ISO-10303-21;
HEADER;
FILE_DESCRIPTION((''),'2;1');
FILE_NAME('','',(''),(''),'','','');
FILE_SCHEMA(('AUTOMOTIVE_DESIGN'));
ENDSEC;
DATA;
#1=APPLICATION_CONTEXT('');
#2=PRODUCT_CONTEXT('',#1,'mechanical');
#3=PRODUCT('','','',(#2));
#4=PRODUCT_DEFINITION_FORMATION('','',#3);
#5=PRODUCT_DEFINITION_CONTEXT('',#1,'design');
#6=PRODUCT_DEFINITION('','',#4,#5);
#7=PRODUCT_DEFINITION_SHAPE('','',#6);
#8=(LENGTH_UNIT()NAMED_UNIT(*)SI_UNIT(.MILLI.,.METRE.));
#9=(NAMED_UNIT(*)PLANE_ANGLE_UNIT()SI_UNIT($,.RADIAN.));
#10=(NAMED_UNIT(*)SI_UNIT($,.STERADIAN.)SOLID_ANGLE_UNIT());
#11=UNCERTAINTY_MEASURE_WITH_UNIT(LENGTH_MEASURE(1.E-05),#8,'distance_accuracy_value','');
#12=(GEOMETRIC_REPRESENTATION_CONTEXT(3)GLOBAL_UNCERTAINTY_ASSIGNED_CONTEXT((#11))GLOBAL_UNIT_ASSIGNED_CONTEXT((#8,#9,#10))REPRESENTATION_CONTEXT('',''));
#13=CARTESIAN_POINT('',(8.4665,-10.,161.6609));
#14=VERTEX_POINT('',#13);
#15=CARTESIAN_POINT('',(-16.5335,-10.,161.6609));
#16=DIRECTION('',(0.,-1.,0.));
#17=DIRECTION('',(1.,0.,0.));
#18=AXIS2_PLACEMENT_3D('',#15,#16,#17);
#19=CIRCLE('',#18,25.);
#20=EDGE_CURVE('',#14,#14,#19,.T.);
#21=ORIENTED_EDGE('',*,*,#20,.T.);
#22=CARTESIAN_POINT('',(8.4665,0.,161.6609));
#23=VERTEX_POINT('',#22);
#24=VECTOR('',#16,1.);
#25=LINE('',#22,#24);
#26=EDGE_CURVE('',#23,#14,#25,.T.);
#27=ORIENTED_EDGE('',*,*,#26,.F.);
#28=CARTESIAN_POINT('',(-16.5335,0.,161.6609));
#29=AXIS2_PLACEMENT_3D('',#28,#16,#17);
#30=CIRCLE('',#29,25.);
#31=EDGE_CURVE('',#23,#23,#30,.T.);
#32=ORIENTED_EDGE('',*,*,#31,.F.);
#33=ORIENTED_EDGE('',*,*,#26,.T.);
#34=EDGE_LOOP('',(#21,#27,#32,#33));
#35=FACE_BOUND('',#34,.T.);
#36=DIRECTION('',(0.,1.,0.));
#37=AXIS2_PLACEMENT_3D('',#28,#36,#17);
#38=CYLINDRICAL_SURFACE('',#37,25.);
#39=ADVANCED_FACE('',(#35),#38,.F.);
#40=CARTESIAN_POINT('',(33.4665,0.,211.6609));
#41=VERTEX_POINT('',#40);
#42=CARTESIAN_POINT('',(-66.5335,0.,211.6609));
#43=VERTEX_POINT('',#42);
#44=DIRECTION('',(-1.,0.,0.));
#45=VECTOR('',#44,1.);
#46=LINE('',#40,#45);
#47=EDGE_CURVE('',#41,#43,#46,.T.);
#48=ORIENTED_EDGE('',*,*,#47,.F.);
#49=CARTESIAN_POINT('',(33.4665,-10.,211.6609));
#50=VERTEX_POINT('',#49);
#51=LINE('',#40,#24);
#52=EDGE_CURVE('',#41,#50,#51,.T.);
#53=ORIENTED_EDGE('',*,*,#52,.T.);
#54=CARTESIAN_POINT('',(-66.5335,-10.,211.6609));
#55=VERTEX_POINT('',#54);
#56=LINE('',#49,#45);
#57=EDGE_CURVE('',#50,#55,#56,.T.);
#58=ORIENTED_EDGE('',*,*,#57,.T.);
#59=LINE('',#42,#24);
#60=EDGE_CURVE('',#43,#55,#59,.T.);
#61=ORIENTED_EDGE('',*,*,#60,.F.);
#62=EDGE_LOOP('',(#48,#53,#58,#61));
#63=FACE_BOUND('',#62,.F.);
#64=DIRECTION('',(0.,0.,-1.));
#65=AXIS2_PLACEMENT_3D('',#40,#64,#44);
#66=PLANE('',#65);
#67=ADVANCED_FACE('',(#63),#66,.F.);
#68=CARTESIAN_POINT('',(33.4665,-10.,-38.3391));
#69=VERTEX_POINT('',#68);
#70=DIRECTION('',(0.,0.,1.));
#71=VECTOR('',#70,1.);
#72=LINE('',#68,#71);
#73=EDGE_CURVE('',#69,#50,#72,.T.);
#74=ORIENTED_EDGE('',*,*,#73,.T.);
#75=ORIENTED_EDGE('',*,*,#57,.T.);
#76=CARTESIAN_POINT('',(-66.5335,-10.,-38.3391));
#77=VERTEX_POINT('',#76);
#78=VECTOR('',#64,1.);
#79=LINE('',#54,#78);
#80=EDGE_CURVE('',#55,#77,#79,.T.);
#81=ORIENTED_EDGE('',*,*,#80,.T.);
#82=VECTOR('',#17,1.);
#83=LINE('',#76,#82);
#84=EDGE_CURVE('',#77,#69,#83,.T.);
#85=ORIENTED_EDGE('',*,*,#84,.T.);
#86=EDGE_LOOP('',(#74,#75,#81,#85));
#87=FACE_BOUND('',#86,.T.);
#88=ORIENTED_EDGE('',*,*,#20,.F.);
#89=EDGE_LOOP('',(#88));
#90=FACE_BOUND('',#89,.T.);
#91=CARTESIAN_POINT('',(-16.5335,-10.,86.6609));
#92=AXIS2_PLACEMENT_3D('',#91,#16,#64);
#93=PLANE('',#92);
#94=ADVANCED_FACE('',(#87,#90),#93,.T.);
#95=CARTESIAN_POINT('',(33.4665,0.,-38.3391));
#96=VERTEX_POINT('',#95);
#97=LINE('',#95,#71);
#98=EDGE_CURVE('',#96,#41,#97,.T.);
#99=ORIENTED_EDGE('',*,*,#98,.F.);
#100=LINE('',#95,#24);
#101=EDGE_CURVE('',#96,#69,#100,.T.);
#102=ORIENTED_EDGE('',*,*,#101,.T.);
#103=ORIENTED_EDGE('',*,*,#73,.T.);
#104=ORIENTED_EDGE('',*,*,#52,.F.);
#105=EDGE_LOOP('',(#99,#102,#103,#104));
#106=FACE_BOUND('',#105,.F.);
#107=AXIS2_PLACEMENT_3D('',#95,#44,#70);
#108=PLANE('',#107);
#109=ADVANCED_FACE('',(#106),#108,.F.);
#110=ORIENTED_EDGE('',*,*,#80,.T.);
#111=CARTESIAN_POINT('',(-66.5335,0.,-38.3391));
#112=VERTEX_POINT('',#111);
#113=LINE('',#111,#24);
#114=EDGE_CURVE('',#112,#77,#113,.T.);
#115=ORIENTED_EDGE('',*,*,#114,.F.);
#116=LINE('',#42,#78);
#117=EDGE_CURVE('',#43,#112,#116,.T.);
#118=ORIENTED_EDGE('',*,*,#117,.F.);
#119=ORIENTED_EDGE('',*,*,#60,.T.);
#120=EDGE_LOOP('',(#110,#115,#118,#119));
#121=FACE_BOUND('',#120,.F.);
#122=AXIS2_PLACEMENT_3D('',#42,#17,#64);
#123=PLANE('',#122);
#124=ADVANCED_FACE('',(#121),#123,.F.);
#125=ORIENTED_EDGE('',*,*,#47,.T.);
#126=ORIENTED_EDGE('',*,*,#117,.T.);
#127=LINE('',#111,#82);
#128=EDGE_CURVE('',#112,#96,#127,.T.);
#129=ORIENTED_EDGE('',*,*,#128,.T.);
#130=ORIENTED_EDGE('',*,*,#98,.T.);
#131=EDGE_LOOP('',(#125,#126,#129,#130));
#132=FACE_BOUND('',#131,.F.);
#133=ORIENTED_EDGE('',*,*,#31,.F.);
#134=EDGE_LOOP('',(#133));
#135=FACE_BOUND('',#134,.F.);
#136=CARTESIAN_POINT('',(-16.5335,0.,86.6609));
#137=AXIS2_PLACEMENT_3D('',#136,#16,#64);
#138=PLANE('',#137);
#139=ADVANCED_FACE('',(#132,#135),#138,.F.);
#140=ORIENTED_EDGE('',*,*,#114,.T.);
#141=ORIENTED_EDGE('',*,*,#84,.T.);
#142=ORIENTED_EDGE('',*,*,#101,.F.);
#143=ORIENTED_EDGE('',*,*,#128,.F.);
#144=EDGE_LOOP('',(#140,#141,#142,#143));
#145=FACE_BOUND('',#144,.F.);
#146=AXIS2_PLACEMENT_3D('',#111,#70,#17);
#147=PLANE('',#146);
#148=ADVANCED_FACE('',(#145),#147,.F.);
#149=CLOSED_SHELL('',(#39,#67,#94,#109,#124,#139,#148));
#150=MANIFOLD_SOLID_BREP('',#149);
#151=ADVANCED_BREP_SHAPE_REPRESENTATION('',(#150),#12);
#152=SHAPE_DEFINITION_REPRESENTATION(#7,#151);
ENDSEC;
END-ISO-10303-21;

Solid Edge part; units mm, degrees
sketch "Sketch1" plane through (0, 0, 0) normal (0, -1, 0) x (1, 0, 0)
  circle A0 centre (-16.5335, 161.6609) radius 25
  line L0 (-66.5335, -38.3391) -> (33.4665, -38.3391)
  line L1 (33.4665, -38.3391) -> (33.4665, 211.6609)
  line L2 (33.4665, 211.6609) -> (-66.5335, 211.6609)
  line L3 (-66.5335, 211.6609) -> (-66.5335, -38.3391)
  dimension "D1" = 50
extrude "Protrusion1" add sketch "Sketch1" along normal blind 10
